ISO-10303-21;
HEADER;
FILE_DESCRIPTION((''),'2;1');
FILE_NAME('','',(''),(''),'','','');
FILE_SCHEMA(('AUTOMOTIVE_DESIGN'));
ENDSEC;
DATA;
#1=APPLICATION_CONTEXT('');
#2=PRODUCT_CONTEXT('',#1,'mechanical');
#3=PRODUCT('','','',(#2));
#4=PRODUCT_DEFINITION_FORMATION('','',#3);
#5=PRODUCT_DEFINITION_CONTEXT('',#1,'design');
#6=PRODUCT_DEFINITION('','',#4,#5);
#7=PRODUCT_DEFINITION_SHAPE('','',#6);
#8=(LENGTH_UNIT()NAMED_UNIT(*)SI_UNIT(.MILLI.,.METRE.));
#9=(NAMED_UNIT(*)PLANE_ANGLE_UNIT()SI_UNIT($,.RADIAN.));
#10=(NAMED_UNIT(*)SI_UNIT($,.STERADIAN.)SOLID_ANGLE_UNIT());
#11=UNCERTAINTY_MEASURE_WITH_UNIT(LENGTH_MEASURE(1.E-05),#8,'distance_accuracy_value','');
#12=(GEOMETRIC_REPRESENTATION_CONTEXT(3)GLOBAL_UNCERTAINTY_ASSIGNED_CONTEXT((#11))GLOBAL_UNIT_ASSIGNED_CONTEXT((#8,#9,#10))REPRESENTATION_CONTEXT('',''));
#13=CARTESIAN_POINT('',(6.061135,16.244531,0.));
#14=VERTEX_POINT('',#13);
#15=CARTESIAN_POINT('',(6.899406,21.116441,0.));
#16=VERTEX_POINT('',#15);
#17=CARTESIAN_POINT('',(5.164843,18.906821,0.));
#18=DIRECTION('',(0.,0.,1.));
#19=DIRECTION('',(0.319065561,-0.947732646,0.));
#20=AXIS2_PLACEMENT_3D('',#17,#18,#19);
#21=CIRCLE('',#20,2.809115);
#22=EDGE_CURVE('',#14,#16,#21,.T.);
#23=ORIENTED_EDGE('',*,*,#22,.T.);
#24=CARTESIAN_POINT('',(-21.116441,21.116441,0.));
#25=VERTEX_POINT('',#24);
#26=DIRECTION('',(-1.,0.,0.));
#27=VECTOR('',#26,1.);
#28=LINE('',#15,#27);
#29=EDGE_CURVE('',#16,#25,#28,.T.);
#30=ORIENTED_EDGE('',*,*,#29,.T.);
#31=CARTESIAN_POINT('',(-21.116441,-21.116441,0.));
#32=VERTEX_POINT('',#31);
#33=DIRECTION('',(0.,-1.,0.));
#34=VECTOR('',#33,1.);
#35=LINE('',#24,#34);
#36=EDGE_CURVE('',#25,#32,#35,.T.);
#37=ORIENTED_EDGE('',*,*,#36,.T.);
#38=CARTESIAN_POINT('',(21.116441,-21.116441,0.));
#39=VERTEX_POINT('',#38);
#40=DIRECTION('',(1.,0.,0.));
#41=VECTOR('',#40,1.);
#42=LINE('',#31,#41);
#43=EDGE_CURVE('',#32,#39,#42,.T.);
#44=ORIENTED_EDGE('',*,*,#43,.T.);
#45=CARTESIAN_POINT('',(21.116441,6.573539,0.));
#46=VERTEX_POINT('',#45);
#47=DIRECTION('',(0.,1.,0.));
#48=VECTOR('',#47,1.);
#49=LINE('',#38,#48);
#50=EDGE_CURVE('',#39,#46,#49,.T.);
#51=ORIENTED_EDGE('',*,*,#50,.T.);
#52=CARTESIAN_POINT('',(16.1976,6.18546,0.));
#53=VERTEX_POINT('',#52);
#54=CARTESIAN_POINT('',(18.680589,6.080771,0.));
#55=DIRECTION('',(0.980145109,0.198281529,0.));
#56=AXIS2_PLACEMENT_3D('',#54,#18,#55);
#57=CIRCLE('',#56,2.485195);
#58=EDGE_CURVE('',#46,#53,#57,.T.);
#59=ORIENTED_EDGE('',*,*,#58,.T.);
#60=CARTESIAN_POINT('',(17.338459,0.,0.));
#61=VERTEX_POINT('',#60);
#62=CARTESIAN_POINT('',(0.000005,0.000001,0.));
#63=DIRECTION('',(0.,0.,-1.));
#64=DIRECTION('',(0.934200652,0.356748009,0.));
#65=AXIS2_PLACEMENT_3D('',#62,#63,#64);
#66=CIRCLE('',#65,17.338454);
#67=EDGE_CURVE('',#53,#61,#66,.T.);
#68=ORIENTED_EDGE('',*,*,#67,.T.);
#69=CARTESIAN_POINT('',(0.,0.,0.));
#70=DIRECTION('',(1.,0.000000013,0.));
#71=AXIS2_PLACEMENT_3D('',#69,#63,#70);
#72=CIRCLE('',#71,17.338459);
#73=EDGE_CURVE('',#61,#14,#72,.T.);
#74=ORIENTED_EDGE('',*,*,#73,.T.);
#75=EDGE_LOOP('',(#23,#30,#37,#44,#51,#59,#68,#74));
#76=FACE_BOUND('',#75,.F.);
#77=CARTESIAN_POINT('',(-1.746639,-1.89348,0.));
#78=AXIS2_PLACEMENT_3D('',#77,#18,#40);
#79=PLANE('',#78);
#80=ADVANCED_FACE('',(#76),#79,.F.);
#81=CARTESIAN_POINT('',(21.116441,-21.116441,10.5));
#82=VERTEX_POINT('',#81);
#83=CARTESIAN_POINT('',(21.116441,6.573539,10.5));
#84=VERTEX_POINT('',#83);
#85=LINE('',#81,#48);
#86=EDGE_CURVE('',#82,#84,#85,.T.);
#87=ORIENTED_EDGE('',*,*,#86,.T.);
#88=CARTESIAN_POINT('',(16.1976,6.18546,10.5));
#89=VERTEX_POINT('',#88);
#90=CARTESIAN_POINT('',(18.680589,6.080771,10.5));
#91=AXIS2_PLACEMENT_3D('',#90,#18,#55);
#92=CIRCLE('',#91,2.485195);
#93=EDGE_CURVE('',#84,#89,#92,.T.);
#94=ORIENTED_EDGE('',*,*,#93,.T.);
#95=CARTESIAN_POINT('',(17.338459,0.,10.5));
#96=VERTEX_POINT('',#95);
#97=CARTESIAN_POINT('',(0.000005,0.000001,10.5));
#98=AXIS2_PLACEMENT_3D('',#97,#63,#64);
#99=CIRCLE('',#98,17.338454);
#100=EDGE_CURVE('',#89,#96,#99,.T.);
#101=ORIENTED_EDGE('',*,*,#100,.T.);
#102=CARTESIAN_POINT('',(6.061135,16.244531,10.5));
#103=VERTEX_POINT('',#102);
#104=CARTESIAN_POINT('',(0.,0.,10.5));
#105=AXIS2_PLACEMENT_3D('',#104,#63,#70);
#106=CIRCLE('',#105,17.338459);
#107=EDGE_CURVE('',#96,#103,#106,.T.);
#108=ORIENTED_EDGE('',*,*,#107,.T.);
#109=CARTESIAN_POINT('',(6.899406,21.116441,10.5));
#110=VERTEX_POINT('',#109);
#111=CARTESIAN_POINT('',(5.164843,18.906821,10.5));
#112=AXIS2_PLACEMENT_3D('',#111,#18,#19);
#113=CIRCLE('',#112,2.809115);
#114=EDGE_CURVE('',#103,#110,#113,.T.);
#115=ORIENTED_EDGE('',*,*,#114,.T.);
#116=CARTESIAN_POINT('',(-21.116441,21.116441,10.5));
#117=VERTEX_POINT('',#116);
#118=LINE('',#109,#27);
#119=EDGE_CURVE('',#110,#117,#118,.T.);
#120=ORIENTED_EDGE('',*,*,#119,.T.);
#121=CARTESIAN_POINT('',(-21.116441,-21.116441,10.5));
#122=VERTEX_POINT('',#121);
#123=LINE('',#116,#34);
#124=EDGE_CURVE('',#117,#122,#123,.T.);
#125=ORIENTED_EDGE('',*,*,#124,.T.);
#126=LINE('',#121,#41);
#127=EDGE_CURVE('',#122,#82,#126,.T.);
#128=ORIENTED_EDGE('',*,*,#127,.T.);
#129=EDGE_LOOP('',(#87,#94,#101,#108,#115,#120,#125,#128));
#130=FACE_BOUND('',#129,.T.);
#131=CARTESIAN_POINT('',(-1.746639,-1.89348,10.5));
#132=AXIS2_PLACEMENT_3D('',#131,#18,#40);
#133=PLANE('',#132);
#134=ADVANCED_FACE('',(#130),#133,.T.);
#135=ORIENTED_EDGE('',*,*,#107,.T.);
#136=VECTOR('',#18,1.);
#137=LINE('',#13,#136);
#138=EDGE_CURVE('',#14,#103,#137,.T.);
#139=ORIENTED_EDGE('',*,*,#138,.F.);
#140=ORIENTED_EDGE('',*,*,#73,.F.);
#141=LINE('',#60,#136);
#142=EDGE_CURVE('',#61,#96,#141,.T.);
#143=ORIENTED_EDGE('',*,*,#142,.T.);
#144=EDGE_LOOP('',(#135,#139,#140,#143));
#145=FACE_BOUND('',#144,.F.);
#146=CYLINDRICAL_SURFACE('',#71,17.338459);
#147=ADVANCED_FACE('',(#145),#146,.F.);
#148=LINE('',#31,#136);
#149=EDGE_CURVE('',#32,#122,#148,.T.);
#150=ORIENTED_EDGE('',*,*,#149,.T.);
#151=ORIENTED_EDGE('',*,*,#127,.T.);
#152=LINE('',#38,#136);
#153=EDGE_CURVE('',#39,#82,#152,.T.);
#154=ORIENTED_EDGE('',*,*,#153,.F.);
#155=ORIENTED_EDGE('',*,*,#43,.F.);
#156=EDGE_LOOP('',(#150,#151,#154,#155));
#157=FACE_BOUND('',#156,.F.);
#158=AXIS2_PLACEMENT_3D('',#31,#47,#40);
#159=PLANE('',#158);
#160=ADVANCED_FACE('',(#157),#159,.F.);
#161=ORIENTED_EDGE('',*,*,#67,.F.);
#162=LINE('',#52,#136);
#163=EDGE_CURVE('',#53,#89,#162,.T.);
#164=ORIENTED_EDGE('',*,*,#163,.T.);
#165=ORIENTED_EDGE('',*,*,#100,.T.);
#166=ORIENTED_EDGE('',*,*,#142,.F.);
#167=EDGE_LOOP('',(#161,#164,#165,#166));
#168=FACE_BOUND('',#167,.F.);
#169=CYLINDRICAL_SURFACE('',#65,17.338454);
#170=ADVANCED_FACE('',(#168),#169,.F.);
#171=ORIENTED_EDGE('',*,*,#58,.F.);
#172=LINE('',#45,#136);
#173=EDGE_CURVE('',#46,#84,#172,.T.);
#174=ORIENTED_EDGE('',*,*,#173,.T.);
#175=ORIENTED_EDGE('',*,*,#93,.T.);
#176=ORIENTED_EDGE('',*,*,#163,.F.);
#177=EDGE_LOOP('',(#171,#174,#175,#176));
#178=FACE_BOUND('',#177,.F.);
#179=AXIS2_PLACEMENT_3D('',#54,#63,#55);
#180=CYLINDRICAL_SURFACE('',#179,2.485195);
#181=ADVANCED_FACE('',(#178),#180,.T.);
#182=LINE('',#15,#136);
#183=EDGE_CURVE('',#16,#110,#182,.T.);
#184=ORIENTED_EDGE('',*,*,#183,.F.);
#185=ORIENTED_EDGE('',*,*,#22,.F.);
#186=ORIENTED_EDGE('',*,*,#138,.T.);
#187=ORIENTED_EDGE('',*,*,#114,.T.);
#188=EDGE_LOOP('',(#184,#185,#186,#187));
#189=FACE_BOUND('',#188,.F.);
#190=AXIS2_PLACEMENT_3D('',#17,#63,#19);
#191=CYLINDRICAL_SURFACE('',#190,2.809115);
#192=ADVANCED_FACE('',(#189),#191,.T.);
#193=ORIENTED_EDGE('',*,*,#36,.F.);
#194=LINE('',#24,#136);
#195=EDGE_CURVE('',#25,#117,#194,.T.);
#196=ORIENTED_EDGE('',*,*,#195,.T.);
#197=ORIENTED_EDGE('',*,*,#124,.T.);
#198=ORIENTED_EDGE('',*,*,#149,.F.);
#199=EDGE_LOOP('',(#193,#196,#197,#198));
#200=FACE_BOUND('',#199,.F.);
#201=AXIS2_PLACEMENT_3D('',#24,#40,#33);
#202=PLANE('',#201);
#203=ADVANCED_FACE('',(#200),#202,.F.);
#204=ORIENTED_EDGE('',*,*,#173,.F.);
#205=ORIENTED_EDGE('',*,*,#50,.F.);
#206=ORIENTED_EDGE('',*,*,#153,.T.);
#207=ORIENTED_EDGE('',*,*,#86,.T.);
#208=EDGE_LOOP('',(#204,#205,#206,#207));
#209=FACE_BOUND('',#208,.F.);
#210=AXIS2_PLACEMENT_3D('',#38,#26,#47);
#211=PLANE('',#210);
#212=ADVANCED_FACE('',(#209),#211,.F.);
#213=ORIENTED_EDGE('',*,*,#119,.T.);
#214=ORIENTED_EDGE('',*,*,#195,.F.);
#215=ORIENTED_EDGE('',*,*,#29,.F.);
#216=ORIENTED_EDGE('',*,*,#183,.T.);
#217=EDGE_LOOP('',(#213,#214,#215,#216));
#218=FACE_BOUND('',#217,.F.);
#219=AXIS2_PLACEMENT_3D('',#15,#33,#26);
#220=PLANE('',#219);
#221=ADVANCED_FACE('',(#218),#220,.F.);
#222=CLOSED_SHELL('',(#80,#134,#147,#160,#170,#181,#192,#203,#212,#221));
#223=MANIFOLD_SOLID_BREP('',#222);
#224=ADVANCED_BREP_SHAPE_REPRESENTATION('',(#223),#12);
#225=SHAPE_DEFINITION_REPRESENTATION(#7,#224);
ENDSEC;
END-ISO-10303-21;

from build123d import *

# Parameters (mm, degrees)
F1_DEPTH = 10.5


with BuildPart() as f1:
    # F0 (on Top) → F1 (new body)
    with BuildSketch(Plane.XY):
        with BuildLine():
            ThreePointArc((6.061135, 16.244531), (7.933277, 18.430479), (6.899406, 21.116441))
            Line((6.899406, 21.116441), (-21.116441, 21.116441))
            Line((-21.116441, 21.116441), (-21.116441, -21.116441))
            Line((-21.116441, -21.116441), (21.116441, -21.116441))
            Line((21.116441, -21.116441), (21.116441, 6.573539))
            ThreePointArc((21.116441, 6.573539), (18.485123, 8.558267), (16.1976, 6.18546))
            ThreePointArc((16.1976, 6.18546), (17.050859, 3.144896), (17.338459, 0))
            ThreePointArc((17.338459, 0), (-14.242768, -9.887654), (6.061135, 16.244531))
        make_face()
    extrude(amount=F1_DEPTH)


solid = f1.part
